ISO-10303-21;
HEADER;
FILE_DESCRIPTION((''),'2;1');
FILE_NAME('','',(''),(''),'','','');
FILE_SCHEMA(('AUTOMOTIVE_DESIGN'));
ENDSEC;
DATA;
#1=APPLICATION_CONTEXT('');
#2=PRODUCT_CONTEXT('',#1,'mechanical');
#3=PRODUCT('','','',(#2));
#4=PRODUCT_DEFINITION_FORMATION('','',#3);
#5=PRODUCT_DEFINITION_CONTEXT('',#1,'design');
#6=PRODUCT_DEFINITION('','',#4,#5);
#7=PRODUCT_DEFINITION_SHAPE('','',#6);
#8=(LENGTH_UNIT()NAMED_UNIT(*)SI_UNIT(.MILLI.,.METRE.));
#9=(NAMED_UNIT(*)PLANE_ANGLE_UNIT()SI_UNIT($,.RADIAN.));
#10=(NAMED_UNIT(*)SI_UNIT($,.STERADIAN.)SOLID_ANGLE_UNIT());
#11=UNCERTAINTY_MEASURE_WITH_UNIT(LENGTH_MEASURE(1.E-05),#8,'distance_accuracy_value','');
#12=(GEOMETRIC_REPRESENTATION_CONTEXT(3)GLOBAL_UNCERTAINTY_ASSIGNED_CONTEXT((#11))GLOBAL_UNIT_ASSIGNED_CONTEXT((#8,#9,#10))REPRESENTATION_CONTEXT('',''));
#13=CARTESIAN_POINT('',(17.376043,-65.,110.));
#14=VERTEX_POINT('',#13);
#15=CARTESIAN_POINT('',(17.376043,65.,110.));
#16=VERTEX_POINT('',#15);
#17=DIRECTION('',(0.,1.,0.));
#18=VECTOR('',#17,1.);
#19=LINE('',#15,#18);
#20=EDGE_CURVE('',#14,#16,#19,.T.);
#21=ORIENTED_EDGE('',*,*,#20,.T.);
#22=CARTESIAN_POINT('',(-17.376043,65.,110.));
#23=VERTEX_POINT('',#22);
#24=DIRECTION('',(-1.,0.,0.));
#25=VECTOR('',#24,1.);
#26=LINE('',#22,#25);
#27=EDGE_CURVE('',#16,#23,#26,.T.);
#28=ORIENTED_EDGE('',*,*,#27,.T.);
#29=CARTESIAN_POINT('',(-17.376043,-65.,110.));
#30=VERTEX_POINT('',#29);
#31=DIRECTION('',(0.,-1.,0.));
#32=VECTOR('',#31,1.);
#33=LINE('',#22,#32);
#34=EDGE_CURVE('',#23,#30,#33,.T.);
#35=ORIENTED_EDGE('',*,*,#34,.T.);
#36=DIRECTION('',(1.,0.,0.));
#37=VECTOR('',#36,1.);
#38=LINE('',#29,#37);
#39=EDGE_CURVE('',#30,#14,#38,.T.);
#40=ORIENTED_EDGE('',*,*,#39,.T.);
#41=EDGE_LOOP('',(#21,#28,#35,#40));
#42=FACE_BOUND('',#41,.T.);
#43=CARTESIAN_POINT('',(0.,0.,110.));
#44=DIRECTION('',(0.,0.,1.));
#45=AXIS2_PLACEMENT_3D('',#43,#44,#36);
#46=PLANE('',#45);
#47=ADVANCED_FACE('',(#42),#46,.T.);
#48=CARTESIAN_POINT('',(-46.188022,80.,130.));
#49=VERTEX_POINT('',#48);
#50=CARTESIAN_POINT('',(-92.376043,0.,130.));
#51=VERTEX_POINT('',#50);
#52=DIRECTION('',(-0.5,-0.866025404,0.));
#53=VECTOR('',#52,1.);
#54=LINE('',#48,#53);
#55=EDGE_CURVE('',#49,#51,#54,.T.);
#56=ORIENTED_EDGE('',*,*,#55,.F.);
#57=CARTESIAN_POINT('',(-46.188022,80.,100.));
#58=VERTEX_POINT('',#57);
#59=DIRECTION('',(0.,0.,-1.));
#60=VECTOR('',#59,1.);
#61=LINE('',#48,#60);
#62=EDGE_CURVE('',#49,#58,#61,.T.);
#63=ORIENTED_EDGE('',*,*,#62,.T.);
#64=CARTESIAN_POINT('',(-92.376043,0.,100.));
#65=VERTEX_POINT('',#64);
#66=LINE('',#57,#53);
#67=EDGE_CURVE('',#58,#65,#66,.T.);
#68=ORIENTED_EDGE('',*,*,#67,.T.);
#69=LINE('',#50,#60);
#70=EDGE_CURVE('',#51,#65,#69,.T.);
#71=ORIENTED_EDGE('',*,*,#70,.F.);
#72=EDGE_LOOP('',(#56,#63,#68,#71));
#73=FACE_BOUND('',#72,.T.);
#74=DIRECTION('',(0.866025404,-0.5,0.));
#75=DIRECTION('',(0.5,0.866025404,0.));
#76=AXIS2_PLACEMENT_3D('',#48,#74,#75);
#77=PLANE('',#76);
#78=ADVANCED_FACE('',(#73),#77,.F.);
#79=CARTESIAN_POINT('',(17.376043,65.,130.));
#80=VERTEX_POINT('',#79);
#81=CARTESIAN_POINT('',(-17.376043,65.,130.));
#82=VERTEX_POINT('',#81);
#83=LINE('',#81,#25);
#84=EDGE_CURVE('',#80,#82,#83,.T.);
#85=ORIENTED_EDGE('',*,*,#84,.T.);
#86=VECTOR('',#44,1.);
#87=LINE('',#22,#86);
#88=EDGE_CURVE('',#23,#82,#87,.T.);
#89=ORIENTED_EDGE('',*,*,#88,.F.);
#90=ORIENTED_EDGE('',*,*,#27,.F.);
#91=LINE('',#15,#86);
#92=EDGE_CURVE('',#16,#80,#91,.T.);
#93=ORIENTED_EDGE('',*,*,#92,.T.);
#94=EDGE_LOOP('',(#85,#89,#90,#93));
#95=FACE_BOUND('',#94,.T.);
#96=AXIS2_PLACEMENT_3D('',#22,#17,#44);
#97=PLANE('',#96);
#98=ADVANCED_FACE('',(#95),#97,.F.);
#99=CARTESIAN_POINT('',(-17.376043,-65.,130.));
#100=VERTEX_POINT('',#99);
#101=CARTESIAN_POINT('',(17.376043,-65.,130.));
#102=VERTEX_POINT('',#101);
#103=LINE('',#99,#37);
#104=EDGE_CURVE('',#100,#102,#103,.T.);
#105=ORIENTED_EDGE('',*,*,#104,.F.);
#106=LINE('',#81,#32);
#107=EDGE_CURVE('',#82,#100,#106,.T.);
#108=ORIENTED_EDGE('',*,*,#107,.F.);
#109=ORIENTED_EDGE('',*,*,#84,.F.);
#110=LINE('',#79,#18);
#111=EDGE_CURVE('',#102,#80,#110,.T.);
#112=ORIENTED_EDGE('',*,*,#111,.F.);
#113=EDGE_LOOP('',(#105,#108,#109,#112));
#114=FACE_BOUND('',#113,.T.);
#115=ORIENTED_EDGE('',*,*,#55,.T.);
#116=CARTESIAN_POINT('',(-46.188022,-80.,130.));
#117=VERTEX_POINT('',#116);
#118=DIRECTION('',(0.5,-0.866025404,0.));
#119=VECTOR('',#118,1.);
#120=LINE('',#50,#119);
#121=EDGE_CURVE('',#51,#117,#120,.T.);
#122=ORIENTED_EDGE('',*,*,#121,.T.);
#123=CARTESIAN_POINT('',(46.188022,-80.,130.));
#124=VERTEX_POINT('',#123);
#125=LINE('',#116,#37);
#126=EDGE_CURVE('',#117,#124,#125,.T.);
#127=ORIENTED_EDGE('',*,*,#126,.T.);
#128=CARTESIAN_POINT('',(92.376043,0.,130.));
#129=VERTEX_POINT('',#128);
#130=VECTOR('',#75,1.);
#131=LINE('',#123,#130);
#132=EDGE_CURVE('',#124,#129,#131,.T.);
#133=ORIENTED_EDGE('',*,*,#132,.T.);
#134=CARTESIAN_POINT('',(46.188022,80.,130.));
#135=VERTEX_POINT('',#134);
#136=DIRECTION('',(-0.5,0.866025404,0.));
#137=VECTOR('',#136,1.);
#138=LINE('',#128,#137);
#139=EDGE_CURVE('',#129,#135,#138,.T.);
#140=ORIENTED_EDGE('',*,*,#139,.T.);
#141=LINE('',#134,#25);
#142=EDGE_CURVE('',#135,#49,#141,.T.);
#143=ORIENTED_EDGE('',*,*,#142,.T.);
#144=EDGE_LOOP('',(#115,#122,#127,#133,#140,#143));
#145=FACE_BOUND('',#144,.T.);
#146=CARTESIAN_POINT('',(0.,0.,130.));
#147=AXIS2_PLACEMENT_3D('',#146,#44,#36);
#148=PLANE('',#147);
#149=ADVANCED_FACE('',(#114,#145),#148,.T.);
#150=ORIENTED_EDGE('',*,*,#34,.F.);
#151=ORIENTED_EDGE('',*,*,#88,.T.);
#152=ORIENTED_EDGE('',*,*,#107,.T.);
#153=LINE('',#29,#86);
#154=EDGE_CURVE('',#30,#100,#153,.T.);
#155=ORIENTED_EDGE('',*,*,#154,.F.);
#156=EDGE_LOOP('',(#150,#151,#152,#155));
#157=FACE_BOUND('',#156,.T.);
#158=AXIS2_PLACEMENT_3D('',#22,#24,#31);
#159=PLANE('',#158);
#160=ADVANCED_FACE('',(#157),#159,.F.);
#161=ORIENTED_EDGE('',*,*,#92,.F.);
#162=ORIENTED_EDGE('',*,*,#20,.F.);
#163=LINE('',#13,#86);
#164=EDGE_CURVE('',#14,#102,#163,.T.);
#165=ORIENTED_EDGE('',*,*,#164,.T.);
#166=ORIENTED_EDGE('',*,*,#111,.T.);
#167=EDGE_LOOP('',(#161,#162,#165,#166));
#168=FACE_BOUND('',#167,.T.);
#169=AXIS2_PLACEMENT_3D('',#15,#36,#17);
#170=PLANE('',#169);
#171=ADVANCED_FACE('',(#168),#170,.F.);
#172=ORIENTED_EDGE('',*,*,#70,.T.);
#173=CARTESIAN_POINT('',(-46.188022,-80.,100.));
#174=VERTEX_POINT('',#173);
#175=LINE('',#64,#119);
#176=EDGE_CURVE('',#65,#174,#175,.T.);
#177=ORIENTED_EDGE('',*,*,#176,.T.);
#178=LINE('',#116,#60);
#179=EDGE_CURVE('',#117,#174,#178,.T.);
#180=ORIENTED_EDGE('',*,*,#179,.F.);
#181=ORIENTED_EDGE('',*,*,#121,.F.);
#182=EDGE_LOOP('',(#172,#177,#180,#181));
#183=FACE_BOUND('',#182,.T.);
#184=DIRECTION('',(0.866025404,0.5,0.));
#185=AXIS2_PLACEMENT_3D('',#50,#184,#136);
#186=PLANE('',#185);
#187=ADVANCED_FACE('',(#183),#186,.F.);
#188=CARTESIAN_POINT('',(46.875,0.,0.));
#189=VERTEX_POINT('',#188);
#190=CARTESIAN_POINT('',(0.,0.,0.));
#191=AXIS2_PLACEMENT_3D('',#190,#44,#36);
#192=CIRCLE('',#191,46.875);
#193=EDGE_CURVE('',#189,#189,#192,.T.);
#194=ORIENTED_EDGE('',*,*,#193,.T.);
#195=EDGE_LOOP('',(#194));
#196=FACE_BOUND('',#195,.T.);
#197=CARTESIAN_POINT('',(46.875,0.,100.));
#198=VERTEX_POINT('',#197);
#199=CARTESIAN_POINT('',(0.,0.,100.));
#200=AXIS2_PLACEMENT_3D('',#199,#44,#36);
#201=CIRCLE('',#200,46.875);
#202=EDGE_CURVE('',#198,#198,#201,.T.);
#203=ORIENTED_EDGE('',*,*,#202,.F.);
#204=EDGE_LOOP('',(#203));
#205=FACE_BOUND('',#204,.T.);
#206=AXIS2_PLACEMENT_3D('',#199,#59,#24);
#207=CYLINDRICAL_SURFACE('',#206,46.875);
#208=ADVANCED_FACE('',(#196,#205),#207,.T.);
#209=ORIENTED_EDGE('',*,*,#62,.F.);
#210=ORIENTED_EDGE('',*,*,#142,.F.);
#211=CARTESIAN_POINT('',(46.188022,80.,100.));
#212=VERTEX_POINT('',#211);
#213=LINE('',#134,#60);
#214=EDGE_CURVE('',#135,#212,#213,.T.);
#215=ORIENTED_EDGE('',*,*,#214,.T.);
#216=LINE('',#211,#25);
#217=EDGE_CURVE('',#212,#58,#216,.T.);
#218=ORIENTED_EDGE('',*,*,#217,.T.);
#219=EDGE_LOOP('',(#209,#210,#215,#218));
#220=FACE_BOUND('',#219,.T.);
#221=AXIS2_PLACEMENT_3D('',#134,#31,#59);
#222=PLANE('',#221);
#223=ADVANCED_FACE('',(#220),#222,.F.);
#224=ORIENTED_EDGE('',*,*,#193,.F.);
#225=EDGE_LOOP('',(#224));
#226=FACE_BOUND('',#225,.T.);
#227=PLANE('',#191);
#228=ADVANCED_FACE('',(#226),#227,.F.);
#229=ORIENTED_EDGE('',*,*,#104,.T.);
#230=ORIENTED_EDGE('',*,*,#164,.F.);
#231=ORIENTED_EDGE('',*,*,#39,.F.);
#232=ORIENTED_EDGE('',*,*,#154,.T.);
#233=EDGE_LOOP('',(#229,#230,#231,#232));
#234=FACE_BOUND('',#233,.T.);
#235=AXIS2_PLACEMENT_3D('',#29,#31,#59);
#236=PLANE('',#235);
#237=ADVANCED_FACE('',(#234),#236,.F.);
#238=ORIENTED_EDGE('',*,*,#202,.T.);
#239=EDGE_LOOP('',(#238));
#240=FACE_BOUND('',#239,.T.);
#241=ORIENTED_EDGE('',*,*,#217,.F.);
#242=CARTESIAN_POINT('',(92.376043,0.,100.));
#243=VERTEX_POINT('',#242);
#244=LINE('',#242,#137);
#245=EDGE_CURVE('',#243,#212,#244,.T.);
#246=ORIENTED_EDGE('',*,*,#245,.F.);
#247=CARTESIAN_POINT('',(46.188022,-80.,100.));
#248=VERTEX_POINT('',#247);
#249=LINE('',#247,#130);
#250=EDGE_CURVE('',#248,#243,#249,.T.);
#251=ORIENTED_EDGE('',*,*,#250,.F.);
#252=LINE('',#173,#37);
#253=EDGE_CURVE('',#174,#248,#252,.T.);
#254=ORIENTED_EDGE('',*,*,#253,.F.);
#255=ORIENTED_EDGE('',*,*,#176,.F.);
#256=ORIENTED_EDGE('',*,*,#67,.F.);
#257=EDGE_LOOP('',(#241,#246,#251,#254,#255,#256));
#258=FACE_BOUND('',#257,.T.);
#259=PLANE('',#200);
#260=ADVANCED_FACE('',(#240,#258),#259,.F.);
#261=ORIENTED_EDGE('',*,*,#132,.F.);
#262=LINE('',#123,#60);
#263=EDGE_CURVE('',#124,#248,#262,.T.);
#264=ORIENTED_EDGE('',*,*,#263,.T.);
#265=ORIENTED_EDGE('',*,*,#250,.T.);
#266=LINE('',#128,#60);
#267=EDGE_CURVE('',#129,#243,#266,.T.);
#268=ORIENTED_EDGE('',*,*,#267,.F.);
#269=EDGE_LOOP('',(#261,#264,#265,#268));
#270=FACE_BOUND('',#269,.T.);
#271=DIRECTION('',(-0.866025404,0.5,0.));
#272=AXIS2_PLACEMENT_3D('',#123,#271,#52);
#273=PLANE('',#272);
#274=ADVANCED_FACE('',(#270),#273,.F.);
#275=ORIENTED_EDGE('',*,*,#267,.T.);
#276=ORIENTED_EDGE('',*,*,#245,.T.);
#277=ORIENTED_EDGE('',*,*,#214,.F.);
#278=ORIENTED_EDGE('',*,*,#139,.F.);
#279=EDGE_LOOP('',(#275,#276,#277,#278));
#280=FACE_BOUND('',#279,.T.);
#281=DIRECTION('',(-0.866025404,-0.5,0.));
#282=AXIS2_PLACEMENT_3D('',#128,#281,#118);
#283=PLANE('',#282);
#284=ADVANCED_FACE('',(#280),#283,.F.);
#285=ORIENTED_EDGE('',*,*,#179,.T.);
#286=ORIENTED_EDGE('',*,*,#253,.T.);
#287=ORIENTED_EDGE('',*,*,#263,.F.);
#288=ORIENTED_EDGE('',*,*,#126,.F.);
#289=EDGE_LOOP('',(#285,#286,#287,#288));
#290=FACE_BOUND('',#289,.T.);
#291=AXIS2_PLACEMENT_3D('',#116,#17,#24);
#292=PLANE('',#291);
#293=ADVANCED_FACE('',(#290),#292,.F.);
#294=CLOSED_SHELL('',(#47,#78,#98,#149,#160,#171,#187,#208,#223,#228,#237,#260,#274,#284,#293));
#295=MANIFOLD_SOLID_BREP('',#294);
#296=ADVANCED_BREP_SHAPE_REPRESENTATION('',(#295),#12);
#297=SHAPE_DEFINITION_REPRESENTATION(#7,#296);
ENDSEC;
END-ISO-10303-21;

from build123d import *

# Parameters (mm, degrees)
SKETCH1_R           = 46.875
BOSS_EXTRUDE1_DEPTH = 100
BOSS_EXTRUDE2_DEPTH = 30
SKETCH3_W           = 34.75208614
SKETCH3_H           = 130
CUT_EXTRUDE1_DEPTH  = 20


with BuildPart() as part:
    # Sketch1 → Boss-Extrude1 (new body)
    with BuildSketch(Plane.XY):
        Circle(SKETCH1_R)
    extrude(amount=BOSS_EXTRUDE1_DEPTH)

    # Sketch2 → Boss-Extrude2 (add)
    with BuildSketch(Plane.XY.offset(100)):
        Polygon((92.37604307, 0), (46.188021535, 80), (-46.188021535, 80), (-92.37604307, 0), (-46.188021535, -80), (46.188021535, -80), align=None)
    extrude(amount=BOSS_EXTRUDE2_DEPTH)

    # Sketch3 → Cut-Extrude1 (cut)
    with BuildSketch(Plane.XY.offset(130)):
        Rectangle(SKETCH3_W, SKETCH3_H)
    extrude(amount=-CUT_EXTRUDE1_DEPTH, mode=Mode.SUBTRACT)


solid = part.part
